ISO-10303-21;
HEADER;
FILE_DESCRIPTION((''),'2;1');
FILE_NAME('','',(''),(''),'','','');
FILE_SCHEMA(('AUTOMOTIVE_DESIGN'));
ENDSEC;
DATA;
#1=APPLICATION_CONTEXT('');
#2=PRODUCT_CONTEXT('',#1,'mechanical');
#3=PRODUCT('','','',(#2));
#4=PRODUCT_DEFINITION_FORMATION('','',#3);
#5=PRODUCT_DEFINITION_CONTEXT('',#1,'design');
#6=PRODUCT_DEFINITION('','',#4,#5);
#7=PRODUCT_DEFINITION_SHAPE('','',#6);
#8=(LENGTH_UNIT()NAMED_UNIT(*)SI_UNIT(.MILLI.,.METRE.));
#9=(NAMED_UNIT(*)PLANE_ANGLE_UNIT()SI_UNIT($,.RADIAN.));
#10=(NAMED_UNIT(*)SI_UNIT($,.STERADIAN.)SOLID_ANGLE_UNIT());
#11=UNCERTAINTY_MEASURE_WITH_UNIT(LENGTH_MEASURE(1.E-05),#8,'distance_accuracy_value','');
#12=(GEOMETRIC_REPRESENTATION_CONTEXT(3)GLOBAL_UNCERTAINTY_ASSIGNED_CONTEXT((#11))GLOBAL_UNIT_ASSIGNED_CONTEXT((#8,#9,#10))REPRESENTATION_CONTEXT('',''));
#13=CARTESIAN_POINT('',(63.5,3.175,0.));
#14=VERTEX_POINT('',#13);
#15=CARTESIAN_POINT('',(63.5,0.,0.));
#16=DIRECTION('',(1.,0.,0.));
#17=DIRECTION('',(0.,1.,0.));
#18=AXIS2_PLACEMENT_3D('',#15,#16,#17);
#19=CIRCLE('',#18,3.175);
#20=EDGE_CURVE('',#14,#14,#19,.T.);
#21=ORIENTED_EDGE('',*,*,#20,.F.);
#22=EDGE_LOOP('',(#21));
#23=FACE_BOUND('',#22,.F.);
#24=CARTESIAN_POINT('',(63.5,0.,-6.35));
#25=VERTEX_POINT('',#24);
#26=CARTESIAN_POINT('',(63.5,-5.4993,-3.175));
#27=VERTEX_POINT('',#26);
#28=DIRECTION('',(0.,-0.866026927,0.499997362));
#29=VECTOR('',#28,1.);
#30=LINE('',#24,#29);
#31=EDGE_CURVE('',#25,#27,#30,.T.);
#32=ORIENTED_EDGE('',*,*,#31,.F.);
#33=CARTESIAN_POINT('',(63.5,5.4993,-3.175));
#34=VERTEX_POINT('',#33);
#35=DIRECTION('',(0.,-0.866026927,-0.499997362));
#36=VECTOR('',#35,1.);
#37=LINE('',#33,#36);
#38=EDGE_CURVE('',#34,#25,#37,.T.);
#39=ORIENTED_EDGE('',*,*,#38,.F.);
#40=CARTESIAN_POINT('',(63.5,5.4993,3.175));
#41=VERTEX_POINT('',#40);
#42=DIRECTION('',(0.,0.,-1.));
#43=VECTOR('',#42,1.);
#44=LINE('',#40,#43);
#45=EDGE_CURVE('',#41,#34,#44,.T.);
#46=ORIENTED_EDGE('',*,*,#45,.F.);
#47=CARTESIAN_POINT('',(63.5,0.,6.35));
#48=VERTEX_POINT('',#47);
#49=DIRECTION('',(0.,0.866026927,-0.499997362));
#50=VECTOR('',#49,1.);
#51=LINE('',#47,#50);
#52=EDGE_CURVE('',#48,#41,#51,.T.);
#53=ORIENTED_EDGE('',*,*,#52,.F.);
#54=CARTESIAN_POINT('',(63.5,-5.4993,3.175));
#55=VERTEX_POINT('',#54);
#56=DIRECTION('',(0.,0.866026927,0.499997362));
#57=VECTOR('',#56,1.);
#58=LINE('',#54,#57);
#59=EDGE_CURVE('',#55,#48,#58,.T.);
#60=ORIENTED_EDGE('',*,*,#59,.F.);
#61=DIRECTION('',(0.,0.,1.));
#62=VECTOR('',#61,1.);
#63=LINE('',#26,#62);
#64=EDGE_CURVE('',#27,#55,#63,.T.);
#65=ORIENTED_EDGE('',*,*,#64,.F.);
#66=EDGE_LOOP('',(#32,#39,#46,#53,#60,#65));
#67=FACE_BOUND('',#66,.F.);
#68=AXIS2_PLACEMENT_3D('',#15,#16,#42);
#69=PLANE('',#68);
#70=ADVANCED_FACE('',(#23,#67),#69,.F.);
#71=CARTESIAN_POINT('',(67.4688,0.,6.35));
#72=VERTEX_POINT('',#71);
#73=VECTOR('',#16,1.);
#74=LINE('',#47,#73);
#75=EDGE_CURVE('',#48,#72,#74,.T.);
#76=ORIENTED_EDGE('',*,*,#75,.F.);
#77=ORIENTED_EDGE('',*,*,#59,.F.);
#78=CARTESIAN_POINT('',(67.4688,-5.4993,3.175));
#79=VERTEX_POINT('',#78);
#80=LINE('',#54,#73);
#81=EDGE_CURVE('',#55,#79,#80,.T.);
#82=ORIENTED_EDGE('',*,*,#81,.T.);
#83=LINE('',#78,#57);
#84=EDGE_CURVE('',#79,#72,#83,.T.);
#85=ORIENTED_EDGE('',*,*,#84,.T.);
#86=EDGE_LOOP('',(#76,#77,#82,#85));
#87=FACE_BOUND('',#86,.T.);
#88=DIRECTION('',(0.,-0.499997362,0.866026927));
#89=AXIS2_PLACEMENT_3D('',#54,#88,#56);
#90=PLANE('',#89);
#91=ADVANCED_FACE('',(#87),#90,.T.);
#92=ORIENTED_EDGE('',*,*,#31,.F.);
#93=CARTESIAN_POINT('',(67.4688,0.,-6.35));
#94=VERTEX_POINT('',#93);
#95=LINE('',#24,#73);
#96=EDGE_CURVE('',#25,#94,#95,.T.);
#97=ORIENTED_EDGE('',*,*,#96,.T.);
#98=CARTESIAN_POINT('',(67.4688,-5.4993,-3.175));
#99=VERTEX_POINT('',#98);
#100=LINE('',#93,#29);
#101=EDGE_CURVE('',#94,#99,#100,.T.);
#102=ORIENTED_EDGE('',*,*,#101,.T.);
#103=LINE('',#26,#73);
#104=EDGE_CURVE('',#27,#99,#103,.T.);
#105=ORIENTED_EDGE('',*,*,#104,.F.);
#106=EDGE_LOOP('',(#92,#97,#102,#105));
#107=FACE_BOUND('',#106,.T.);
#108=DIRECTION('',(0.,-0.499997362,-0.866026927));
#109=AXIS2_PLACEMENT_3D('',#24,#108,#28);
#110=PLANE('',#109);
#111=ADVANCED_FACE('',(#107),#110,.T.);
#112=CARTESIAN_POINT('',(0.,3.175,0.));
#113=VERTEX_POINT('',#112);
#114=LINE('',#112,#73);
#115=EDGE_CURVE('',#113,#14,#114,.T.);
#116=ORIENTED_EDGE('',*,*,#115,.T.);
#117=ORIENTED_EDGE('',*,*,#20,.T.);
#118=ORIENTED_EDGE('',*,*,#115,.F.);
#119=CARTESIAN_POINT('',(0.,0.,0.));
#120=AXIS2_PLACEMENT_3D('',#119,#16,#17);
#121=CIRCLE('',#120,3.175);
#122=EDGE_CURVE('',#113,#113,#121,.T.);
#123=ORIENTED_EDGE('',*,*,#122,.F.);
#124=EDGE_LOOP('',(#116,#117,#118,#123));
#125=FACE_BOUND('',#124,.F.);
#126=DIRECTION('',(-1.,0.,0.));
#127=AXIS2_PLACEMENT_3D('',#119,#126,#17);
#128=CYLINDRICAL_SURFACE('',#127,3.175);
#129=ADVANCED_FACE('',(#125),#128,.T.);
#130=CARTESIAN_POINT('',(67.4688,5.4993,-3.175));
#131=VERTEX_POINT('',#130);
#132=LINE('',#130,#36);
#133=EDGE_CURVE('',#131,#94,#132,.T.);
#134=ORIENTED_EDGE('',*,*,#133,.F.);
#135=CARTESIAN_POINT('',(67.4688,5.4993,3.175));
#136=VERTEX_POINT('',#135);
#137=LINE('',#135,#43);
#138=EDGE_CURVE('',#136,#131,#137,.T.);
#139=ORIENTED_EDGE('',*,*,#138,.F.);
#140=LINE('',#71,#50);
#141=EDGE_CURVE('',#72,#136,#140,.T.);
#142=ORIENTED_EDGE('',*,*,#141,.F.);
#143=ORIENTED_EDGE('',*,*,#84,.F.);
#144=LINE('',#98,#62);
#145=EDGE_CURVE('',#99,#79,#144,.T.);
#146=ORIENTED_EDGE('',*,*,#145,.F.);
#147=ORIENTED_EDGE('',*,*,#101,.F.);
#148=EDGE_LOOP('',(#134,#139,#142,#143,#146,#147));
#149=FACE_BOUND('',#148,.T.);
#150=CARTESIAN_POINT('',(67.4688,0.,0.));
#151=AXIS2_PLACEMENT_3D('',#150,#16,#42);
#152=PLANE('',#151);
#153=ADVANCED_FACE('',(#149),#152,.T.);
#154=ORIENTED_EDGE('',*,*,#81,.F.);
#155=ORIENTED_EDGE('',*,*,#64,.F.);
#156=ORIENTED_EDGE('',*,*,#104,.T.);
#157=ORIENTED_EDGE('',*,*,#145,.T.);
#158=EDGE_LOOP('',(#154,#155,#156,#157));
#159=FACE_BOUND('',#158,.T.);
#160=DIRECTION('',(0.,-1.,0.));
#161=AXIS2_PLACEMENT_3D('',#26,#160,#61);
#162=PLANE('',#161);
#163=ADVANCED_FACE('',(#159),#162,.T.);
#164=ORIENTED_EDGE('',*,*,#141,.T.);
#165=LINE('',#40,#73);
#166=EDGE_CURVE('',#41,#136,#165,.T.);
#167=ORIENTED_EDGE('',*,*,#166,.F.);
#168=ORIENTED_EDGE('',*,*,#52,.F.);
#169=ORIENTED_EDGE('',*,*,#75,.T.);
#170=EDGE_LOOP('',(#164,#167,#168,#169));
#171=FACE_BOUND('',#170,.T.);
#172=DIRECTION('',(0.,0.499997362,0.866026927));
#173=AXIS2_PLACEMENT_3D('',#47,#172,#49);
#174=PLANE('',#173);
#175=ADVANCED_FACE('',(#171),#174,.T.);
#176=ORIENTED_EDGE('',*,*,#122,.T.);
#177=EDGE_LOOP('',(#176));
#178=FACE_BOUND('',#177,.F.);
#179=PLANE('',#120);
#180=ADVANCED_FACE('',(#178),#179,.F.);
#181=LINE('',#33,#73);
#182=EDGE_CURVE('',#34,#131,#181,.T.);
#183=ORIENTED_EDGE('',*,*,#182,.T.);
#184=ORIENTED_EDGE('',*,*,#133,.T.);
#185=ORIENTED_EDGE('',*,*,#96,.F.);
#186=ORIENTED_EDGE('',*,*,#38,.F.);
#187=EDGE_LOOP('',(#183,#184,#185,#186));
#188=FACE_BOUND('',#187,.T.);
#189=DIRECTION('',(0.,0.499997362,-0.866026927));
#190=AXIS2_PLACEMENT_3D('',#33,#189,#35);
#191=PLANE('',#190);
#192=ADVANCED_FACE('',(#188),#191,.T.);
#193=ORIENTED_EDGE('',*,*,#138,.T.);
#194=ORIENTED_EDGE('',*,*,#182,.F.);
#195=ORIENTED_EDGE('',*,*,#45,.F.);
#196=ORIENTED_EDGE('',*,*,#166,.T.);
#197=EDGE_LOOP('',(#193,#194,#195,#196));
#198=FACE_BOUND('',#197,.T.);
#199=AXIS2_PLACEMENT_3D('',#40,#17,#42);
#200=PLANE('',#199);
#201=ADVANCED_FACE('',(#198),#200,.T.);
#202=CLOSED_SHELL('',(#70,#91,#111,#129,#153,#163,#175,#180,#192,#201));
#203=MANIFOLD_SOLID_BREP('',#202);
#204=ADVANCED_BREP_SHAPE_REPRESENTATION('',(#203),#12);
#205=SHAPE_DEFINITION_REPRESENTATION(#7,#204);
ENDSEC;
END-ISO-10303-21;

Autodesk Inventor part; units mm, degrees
ref_plane "YZ Plane" through (0, 0, 0) normal (1, 0, 0) x (0, 1, 0)
ref_plane "XZ Plane" through (0, 0, 0) normal (0, 1, 0) x (-1, 0, 0)
ref_plane "XY Plane" through (0, 0, 0) normal (0, 0, 1) x (1, 0, 0)
sketch "Sketch1" plane through (0, 0, 0) normal (1, 0, 0) x (0, 1, 0)
  circle A0 centre (0, 0) radius 3.175
  dimension "d0" = 6.35
extrude "Extrusion1" add sketch "Sketch1" along normal blind 63.5
thread "Thread1" size "1/4-20 UNC" class "2A" standard "ANSI Unified Screw Threads" full length
sketch "Sketch2" plane through (63.5, 0, 0) normal (1, 0, 0) x (0, 0, -1)
  circle A0 centre (0, 0) radius 6.35
  line L0 (6.35, 0) -> (3.175, -5.4993)
  line L1 (3.175, -5.4993) -> (-3.175, -5.4993)
  line L2 (-3.175, -5.4993) -> (-6.35, 0)
  line L3 (-6.35, 0) -> (-3.175, 5.4993)
  line L4 (-3.175, 5.4993) -> (3.175, 5.4993)
  line L5 (3.175, 5.4993) -> (6.35, 0)
  dimension "d5" = 12.7
extrude "Extrusion2" add sketch "Sketch2" along normal blind 3.9688 contours L0 L1 L2 L3 L4 L5
properties part number "support bolt"
